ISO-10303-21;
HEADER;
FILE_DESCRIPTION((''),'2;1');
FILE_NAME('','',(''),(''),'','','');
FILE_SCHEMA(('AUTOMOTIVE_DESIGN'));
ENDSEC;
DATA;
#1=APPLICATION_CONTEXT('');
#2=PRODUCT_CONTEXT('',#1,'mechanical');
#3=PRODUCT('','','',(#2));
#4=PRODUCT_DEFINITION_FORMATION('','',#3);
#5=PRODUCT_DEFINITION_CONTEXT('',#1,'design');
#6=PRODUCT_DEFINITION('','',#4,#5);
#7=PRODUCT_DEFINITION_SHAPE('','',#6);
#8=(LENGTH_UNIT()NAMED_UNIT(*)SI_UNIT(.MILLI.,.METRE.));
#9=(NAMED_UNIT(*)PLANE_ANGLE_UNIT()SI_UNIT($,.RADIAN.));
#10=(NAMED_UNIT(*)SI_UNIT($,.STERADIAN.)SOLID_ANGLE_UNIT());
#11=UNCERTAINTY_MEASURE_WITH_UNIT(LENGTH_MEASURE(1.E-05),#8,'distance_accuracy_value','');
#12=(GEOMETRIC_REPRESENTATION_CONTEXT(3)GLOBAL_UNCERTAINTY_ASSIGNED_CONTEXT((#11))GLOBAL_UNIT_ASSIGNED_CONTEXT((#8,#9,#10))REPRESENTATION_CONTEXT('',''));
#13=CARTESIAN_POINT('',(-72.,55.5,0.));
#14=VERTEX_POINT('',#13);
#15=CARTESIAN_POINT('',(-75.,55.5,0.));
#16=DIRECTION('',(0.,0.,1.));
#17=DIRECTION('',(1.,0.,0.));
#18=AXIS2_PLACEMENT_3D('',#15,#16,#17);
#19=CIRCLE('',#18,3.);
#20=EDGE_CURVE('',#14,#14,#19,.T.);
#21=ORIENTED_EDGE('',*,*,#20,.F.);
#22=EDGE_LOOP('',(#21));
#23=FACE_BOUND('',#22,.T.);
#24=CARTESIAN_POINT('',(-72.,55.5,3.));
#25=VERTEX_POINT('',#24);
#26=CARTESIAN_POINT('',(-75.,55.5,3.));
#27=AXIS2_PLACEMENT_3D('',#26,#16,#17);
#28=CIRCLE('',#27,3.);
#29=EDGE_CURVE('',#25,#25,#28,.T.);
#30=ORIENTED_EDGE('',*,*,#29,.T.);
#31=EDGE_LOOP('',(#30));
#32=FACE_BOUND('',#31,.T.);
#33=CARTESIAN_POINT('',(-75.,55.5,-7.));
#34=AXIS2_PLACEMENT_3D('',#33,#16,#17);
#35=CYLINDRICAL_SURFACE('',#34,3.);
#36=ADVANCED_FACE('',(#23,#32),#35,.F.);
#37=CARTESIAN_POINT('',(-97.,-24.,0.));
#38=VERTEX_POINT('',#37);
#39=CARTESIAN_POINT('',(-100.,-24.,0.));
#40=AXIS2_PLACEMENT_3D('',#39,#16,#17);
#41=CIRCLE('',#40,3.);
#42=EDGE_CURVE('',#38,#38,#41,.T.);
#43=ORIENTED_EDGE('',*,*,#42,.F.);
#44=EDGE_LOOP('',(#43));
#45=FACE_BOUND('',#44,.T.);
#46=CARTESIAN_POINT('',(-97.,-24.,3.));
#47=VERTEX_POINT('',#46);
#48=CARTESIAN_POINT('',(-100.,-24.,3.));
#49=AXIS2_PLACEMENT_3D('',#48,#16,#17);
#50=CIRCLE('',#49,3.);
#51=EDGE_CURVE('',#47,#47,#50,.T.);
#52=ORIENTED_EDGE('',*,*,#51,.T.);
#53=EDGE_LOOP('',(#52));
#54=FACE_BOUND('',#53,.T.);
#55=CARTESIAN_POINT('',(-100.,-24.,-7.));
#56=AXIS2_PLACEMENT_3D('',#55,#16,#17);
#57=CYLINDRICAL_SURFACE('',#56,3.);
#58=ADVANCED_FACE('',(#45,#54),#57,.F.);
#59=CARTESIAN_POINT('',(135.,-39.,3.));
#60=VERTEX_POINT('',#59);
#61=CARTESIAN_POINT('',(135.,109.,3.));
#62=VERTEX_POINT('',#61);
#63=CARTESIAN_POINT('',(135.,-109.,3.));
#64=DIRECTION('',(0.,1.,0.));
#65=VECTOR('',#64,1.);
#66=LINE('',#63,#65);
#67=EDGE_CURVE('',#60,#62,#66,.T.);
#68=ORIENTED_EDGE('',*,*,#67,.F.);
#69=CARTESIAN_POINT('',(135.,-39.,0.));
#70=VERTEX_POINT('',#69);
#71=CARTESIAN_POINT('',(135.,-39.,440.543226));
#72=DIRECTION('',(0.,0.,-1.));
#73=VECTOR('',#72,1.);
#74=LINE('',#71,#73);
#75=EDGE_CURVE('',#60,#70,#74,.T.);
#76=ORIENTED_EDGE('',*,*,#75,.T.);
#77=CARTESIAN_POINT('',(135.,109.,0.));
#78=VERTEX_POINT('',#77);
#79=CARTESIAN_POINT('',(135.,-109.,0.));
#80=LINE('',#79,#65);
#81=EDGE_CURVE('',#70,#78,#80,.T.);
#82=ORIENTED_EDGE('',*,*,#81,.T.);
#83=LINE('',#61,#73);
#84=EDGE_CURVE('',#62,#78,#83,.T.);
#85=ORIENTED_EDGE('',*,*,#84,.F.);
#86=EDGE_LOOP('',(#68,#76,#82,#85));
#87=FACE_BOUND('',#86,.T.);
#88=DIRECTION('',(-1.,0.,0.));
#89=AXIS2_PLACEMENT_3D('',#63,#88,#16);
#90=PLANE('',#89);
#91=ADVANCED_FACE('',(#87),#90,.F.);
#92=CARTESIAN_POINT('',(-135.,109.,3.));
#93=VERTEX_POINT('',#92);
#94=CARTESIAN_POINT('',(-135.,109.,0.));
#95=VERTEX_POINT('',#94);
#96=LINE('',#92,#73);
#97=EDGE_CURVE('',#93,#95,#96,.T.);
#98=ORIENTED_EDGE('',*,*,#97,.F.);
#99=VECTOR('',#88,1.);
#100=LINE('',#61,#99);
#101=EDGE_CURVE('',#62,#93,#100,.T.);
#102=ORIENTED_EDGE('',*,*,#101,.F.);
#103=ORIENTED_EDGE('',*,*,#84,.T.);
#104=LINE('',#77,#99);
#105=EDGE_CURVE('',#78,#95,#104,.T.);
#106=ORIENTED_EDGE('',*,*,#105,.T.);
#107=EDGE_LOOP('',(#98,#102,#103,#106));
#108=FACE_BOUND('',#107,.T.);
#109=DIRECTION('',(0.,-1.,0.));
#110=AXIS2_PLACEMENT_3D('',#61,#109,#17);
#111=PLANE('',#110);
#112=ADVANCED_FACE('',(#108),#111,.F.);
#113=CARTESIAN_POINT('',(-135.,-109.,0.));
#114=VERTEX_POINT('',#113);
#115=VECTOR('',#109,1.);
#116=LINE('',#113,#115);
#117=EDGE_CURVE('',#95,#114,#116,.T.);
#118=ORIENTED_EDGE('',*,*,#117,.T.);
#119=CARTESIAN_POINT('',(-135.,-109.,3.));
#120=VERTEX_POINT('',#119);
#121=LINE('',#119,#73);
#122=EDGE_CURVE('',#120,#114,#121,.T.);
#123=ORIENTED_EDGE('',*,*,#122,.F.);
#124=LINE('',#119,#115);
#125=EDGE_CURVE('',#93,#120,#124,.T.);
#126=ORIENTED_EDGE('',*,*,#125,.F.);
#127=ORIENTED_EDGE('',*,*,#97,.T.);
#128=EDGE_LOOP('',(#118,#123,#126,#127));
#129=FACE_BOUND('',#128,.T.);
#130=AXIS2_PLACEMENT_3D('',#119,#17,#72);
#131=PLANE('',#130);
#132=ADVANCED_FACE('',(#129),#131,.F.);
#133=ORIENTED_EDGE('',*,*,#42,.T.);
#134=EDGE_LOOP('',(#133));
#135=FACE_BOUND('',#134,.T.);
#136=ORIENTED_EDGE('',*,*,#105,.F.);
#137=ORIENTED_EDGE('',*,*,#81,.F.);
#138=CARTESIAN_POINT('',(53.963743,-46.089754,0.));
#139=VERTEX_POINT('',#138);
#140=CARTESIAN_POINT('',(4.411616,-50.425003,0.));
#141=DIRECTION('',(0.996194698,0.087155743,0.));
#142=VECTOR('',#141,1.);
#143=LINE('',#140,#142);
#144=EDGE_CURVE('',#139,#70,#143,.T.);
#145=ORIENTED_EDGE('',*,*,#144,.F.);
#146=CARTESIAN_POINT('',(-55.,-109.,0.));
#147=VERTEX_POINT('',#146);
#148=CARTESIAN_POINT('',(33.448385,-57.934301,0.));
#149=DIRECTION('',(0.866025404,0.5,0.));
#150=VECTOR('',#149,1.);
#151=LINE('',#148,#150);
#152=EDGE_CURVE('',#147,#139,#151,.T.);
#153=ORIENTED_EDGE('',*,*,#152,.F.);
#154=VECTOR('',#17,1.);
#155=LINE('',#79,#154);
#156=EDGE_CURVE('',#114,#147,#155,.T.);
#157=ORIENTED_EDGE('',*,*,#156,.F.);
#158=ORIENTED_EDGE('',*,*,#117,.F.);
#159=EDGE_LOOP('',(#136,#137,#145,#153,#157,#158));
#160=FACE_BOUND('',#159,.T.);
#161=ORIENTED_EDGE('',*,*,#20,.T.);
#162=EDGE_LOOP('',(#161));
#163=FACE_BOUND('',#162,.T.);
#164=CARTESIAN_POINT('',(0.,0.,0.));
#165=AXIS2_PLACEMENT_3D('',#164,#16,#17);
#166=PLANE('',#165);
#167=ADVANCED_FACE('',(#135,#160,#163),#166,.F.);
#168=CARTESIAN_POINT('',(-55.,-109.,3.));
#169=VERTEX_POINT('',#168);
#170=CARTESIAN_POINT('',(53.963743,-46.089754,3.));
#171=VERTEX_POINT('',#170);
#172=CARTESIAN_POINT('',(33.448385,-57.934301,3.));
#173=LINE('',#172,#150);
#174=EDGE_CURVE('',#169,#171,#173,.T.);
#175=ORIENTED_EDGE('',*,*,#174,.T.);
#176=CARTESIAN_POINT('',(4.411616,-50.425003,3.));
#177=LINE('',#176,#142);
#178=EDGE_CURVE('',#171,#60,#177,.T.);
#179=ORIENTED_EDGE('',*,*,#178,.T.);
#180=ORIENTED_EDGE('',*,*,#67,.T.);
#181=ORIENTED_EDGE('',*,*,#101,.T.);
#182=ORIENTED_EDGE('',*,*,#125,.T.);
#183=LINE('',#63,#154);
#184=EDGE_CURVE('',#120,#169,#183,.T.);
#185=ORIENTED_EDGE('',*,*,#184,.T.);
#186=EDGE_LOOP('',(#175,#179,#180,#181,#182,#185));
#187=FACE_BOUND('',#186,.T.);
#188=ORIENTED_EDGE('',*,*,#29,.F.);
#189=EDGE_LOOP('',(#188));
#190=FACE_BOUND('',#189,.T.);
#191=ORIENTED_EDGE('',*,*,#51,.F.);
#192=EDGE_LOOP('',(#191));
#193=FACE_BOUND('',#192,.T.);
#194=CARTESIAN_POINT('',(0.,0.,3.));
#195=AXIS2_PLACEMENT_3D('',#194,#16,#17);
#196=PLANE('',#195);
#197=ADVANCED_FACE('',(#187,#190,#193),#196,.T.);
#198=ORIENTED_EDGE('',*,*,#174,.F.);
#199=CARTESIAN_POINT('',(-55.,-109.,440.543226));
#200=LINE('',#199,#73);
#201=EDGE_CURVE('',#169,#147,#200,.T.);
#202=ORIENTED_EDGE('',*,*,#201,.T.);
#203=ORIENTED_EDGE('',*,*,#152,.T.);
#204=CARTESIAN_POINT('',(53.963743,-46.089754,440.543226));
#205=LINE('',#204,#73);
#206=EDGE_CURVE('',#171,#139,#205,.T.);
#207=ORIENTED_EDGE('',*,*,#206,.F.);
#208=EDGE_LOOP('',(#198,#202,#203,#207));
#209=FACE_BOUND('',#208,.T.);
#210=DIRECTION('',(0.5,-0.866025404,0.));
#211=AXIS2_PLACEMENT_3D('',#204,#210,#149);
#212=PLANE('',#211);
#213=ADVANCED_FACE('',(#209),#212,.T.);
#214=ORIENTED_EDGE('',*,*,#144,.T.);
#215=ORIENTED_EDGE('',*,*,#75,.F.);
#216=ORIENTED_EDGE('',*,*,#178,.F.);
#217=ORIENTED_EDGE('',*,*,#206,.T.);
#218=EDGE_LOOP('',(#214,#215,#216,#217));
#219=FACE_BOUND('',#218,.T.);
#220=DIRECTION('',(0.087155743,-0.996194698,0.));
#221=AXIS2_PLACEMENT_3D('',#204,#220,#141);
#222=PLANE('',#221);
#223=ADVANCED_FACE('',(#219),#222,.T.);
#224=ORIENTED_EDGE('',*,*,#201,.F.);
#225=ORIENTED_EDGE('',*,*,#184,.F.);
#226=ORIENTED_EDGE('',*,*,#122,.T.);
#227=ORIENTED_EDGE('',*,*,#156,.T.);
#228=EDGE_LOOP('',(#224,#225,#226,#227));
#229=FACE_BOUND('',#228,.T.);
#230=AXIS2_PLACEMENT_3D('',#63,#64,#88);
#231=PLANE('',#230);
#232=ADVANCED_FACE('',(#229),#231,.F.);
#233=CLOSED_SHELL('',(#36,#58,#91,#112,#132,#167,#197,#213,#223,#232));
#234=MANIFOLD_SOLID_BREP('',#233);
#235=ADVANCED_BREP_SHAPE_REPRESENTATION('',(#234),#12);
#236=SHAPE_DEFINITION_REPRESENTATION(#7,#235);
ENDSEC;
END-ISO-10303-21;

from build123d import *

# Parameters (mm, degrees)
ESQUISSE1_W                   = 270
ESQUISSE1_H                   = 218
BOSS_EXTRU_1_DEPTH            = 3
ESQUISSE3_R                   = 3
ENL_V_MAT_EXTRU_1_DEPTH       = 10
ESQUISSE4_R                   = 3
ENL_V_MAT_EXTRU_2_DEPTH       = 10
ENL_V_MAT_EXTRU_11_DEPTH      = 174.536739626
ENL_V_MAT_EXTRU_11_DEPTH_BACK = 174.536739626


with BuildPart() as part:
    # Esquisse1 → Boss.-Extru.1 (new body)
    with BuildSketch(Plane.XY):
        Rectangle(ESQUISSE1_W, ESQUISSE1_H)
    extrude(amount=BOSS_EXTRU_1_DEPTH)

    # Esquisse3 → Enlèv. mat.-Extru.1 (cut)
    with BuildSketch(Plane.XY.offset(3)):
        with Locations((-100, -24)):
            Circle(ESQUISSE3_R)
    extrude(amount=-ENL_V_MAT_EXTRU_1_DEPTH, mode=Mode.SUBTRACT)

    # Esquisse4 → Enlèv. mat.-Extru.2 (cut)
    with BuildSketch(Plane.XY.offset(3)):
        with Locations((-75, 55.5)):
            Circle(ESQUISSE4_R)
    extrude(amount=-ENL_V_MAT_EXTRU_2_DEPTH, mode=Mode.SUBTRACT)

    # Esquisse5 → Enlèv. mat.-Extru.11 (cut, two sides: drawn at the far end of the back side and taken through both)
    with BuildSketch(Plane.XY.offset(3).offset(-ENL_V_MAT_EXTRU_11_DEPTH_BACK)):
        Polygon((135, -39), (53.963742643, -46.089753853), (-55, -109), (135, -109), align=None)
    extrude(amount=ENL_V_MAT_EXTRU_11_DEPTH + ENL_V_MAT_EXTRU_11_DEPTH_BACK, mode=Mode.SUBTRACT)


solid = part.part
